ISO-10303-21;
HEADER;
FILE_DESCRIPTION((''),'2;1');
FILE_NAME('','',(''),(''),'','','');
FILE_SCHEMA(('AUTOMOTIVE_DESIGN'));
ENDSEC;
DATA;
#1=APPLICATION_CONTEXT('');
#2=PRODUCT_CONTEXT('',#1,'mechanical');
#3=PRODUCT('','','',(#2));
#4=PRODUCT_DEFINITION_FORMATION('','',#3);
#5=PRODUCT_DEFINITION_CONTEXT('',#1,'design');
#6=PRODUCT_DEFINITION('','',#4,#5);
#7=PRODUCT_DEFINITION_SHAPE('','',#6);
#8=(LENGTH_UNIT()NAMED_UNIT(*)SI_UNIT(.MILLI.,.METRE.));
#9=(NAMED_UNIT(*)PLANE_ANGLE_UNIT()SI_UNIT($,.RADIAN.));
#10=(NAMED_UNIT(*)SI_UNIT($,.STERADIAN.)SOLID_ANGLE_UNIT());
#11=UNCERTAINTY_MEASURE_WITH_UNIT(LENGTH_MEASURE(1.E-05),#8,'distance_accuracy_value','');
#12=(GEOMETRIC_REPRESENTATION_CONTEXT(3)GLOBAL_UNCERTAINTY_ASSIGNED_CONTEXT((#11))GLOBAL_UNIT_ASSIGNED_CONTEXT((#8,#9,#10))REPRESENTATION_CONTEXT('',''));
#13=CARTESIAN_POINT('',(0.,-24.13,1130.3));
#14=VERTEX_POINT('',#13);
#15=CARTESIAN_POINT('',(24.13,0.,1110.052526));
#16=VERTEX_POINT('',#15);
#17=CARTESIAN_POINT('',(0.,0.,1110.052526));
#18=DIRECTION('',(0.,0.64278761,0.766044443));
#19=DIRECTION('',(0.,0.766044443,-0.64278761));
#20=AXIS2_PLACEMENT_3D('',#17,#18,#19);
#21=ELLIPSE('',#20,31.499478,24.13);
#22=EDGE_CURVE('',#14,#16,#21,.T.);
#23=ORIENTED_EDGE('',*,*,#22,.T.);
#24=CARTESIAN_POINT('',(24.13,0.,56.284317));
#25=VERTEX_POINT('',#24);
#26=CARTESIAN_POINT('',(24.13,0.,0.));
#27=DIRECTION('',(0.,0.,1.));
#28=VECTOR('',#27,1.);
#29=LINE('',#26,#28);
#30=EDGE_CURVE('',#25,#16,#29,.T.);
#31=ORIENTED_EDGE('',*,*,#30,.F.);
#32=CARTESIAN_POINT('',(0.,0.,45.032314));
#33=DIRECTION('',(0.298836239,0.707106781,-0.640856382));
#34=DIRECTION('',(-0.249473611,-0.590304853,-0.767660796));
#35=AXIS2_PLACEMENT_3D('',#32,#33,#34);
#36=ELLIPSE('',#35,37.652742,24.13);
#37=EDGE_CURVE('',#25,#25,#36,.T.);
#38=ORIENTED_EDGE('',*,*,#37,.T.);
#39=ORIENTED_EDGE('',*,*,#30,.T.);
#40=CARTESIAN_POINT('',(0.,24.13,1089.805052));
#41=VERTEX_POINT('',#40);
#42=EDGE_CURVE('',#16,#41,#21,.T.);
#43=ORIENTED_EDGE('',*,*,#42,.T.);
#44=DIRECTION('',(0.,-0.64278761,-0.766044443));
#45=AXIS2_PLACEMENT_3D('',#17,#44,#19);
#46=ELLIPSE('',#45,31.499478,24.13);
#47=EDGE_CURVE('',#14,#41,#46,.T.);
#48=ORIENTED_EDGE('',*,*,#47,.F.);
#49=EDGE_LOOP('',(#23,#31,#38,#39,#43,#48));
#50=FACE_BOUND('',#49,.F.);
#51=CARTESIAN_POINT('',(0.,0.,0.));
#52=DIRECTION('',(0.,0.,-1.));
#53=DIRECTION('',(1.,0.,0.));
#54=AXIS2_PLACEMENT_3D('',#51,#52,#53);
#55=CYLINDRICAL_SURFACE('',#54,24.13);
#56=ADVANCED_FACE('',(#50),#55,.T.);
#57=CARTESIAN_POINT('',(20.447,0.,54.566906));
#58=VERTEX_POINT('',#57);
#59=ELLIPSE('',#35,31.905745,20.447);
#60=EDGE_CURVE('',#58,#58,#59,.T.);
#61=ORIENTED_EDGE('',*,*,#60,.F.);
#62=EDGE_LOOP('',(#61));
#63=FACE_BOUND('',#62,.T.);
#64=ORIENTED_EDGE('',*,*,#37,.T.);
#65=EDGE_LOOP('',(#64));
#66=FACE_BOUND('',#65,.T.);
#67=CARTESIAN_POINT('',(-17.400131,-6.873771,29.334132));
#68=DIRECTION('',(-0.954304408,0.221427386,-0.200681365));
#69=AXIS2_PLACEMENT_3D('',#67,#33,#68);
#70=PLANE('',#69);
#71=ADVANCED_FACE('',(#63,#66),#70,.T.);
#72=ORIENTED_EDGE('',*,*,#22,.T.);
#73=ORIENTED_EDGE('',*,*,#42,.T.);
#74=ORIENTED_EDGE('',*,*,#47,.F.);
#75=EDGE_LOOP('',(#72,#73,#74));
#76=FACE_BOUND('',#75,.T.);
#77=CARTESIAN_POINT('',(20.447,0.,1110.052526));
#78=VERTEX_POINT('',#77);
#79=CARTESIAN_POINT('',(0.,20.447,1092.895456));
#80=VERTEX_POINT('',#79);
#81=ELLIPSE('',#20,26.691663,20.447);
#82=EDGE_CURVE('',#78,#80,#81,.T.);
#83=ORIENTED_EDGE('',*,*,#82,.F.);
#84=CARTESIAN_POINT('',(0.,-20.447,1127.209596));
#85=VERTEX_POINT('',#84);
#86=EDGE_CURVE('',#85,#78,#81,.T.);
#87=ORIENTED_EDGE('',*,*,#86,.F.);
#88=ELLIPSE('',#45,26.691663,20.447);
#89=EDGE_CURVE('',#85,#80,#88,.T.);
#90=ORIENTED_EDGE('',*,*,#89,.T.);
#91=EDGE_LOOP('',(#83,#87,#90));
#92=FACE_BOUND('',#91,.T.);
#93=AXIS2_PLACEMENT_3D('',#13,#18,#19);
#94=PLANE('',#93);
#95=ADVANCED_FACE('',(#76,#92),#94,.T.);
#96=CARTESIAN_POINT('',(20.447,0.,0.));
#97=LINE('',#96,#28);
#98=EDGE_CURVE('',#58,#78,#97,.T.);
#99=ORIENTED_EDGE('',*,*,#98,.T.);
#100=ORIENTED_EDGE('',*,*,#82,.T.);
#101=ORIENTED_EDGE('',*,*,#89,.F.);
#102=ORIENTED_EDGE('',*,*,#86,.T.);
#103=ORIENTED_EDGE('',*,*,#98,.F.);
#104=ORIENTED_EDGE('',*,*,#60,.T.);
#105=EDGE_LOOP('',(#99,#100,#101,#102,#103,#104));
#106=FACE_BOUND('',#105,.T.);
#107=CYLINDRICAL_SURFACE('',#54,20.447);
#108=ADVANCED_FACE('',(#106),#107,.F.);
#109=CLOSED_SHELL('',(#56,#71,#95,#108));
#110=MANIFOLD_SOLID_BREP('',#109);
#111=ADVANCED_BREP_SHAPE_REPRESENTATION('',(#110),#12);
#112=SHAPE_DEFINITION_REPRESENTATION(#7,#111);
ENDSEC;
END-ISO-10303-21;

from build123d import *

# Parameters (mm, degrees)
F0_R          = 24.13
F0_R_2        = 20.447
F1_DEPTH      = 1130.3
F3_DEPTH      = 24.131
F3_DEPTH_BACK = 24.131
F5_DEPTH      = 24.131
F5_DEPTH_BACK = 24.131
F8_W          = 230.4114792496
F8_H          = 177.8236068785
F9_DEPTH      = 25.4
F9_DEPTH_BACK = 20.32


with BuildPart() as f1:
    # F0 (on Top) → F1 (new body)
    with BuildSketch(Plane.XY):
        Circle(F0_R)
        Circle(F0_R_2, mode=Mode.SUBTRACT)
    extrude(amount=F1_DEPTH)

    # F2 (on Right) → F3 (cut, two sides)
    with BuildSketch(Plane.YZ) as f3_sk:
        Polygon((24.13, 1089.8050517994), (24.13, 1130.3), (-24.13, 1130.3), align=None)
    extrude(amount=-F3_DEPTH, mode=Mode.SUBTRACT)
    extrude(f3_sk.sketch, amount=F3_DEPTH_BACK, mode=Mode.SUBTRACT)

    # F4 (on Front) → F5 (cut, two sides)
    with BuildSketch(Plane.XZ) as f5_sk:
        Polygon((-28.575, 0), (28.575, 0), (28.575, 26.6494826636), align=None)
    extrude(amount=F5_DEPTH, mode=Mode.SUBTRACT)
    extrude(f5_sk.sketch, amount=-F5_DEPTH_BACK, mode=Mode.SUBTRACT)

    # F8 (on line) → F9 (cut, two sides)
    with BuildSketch(Plane(origin=(-2.5518360133, -6.0381584146, 5.4724299905), x_dir=(-0.9543044076, 0.2214273865, -0.2006813646), z_dir=(0.2988362387, 0.7071067812, -0.6408563821))) as f9_sk:
        with Locations((9.1961668804, 17.1195510775)):
            Rectangle(F8_W, F8_H)
    extrude(amount=F9_DEPTH, mode=Mode.SUBTRACT)
    extrude(f9_sk.sketch, amount=-F9_DEPTH_BACK, mode=Mode.SUBTRACT)


solid = f1.part
